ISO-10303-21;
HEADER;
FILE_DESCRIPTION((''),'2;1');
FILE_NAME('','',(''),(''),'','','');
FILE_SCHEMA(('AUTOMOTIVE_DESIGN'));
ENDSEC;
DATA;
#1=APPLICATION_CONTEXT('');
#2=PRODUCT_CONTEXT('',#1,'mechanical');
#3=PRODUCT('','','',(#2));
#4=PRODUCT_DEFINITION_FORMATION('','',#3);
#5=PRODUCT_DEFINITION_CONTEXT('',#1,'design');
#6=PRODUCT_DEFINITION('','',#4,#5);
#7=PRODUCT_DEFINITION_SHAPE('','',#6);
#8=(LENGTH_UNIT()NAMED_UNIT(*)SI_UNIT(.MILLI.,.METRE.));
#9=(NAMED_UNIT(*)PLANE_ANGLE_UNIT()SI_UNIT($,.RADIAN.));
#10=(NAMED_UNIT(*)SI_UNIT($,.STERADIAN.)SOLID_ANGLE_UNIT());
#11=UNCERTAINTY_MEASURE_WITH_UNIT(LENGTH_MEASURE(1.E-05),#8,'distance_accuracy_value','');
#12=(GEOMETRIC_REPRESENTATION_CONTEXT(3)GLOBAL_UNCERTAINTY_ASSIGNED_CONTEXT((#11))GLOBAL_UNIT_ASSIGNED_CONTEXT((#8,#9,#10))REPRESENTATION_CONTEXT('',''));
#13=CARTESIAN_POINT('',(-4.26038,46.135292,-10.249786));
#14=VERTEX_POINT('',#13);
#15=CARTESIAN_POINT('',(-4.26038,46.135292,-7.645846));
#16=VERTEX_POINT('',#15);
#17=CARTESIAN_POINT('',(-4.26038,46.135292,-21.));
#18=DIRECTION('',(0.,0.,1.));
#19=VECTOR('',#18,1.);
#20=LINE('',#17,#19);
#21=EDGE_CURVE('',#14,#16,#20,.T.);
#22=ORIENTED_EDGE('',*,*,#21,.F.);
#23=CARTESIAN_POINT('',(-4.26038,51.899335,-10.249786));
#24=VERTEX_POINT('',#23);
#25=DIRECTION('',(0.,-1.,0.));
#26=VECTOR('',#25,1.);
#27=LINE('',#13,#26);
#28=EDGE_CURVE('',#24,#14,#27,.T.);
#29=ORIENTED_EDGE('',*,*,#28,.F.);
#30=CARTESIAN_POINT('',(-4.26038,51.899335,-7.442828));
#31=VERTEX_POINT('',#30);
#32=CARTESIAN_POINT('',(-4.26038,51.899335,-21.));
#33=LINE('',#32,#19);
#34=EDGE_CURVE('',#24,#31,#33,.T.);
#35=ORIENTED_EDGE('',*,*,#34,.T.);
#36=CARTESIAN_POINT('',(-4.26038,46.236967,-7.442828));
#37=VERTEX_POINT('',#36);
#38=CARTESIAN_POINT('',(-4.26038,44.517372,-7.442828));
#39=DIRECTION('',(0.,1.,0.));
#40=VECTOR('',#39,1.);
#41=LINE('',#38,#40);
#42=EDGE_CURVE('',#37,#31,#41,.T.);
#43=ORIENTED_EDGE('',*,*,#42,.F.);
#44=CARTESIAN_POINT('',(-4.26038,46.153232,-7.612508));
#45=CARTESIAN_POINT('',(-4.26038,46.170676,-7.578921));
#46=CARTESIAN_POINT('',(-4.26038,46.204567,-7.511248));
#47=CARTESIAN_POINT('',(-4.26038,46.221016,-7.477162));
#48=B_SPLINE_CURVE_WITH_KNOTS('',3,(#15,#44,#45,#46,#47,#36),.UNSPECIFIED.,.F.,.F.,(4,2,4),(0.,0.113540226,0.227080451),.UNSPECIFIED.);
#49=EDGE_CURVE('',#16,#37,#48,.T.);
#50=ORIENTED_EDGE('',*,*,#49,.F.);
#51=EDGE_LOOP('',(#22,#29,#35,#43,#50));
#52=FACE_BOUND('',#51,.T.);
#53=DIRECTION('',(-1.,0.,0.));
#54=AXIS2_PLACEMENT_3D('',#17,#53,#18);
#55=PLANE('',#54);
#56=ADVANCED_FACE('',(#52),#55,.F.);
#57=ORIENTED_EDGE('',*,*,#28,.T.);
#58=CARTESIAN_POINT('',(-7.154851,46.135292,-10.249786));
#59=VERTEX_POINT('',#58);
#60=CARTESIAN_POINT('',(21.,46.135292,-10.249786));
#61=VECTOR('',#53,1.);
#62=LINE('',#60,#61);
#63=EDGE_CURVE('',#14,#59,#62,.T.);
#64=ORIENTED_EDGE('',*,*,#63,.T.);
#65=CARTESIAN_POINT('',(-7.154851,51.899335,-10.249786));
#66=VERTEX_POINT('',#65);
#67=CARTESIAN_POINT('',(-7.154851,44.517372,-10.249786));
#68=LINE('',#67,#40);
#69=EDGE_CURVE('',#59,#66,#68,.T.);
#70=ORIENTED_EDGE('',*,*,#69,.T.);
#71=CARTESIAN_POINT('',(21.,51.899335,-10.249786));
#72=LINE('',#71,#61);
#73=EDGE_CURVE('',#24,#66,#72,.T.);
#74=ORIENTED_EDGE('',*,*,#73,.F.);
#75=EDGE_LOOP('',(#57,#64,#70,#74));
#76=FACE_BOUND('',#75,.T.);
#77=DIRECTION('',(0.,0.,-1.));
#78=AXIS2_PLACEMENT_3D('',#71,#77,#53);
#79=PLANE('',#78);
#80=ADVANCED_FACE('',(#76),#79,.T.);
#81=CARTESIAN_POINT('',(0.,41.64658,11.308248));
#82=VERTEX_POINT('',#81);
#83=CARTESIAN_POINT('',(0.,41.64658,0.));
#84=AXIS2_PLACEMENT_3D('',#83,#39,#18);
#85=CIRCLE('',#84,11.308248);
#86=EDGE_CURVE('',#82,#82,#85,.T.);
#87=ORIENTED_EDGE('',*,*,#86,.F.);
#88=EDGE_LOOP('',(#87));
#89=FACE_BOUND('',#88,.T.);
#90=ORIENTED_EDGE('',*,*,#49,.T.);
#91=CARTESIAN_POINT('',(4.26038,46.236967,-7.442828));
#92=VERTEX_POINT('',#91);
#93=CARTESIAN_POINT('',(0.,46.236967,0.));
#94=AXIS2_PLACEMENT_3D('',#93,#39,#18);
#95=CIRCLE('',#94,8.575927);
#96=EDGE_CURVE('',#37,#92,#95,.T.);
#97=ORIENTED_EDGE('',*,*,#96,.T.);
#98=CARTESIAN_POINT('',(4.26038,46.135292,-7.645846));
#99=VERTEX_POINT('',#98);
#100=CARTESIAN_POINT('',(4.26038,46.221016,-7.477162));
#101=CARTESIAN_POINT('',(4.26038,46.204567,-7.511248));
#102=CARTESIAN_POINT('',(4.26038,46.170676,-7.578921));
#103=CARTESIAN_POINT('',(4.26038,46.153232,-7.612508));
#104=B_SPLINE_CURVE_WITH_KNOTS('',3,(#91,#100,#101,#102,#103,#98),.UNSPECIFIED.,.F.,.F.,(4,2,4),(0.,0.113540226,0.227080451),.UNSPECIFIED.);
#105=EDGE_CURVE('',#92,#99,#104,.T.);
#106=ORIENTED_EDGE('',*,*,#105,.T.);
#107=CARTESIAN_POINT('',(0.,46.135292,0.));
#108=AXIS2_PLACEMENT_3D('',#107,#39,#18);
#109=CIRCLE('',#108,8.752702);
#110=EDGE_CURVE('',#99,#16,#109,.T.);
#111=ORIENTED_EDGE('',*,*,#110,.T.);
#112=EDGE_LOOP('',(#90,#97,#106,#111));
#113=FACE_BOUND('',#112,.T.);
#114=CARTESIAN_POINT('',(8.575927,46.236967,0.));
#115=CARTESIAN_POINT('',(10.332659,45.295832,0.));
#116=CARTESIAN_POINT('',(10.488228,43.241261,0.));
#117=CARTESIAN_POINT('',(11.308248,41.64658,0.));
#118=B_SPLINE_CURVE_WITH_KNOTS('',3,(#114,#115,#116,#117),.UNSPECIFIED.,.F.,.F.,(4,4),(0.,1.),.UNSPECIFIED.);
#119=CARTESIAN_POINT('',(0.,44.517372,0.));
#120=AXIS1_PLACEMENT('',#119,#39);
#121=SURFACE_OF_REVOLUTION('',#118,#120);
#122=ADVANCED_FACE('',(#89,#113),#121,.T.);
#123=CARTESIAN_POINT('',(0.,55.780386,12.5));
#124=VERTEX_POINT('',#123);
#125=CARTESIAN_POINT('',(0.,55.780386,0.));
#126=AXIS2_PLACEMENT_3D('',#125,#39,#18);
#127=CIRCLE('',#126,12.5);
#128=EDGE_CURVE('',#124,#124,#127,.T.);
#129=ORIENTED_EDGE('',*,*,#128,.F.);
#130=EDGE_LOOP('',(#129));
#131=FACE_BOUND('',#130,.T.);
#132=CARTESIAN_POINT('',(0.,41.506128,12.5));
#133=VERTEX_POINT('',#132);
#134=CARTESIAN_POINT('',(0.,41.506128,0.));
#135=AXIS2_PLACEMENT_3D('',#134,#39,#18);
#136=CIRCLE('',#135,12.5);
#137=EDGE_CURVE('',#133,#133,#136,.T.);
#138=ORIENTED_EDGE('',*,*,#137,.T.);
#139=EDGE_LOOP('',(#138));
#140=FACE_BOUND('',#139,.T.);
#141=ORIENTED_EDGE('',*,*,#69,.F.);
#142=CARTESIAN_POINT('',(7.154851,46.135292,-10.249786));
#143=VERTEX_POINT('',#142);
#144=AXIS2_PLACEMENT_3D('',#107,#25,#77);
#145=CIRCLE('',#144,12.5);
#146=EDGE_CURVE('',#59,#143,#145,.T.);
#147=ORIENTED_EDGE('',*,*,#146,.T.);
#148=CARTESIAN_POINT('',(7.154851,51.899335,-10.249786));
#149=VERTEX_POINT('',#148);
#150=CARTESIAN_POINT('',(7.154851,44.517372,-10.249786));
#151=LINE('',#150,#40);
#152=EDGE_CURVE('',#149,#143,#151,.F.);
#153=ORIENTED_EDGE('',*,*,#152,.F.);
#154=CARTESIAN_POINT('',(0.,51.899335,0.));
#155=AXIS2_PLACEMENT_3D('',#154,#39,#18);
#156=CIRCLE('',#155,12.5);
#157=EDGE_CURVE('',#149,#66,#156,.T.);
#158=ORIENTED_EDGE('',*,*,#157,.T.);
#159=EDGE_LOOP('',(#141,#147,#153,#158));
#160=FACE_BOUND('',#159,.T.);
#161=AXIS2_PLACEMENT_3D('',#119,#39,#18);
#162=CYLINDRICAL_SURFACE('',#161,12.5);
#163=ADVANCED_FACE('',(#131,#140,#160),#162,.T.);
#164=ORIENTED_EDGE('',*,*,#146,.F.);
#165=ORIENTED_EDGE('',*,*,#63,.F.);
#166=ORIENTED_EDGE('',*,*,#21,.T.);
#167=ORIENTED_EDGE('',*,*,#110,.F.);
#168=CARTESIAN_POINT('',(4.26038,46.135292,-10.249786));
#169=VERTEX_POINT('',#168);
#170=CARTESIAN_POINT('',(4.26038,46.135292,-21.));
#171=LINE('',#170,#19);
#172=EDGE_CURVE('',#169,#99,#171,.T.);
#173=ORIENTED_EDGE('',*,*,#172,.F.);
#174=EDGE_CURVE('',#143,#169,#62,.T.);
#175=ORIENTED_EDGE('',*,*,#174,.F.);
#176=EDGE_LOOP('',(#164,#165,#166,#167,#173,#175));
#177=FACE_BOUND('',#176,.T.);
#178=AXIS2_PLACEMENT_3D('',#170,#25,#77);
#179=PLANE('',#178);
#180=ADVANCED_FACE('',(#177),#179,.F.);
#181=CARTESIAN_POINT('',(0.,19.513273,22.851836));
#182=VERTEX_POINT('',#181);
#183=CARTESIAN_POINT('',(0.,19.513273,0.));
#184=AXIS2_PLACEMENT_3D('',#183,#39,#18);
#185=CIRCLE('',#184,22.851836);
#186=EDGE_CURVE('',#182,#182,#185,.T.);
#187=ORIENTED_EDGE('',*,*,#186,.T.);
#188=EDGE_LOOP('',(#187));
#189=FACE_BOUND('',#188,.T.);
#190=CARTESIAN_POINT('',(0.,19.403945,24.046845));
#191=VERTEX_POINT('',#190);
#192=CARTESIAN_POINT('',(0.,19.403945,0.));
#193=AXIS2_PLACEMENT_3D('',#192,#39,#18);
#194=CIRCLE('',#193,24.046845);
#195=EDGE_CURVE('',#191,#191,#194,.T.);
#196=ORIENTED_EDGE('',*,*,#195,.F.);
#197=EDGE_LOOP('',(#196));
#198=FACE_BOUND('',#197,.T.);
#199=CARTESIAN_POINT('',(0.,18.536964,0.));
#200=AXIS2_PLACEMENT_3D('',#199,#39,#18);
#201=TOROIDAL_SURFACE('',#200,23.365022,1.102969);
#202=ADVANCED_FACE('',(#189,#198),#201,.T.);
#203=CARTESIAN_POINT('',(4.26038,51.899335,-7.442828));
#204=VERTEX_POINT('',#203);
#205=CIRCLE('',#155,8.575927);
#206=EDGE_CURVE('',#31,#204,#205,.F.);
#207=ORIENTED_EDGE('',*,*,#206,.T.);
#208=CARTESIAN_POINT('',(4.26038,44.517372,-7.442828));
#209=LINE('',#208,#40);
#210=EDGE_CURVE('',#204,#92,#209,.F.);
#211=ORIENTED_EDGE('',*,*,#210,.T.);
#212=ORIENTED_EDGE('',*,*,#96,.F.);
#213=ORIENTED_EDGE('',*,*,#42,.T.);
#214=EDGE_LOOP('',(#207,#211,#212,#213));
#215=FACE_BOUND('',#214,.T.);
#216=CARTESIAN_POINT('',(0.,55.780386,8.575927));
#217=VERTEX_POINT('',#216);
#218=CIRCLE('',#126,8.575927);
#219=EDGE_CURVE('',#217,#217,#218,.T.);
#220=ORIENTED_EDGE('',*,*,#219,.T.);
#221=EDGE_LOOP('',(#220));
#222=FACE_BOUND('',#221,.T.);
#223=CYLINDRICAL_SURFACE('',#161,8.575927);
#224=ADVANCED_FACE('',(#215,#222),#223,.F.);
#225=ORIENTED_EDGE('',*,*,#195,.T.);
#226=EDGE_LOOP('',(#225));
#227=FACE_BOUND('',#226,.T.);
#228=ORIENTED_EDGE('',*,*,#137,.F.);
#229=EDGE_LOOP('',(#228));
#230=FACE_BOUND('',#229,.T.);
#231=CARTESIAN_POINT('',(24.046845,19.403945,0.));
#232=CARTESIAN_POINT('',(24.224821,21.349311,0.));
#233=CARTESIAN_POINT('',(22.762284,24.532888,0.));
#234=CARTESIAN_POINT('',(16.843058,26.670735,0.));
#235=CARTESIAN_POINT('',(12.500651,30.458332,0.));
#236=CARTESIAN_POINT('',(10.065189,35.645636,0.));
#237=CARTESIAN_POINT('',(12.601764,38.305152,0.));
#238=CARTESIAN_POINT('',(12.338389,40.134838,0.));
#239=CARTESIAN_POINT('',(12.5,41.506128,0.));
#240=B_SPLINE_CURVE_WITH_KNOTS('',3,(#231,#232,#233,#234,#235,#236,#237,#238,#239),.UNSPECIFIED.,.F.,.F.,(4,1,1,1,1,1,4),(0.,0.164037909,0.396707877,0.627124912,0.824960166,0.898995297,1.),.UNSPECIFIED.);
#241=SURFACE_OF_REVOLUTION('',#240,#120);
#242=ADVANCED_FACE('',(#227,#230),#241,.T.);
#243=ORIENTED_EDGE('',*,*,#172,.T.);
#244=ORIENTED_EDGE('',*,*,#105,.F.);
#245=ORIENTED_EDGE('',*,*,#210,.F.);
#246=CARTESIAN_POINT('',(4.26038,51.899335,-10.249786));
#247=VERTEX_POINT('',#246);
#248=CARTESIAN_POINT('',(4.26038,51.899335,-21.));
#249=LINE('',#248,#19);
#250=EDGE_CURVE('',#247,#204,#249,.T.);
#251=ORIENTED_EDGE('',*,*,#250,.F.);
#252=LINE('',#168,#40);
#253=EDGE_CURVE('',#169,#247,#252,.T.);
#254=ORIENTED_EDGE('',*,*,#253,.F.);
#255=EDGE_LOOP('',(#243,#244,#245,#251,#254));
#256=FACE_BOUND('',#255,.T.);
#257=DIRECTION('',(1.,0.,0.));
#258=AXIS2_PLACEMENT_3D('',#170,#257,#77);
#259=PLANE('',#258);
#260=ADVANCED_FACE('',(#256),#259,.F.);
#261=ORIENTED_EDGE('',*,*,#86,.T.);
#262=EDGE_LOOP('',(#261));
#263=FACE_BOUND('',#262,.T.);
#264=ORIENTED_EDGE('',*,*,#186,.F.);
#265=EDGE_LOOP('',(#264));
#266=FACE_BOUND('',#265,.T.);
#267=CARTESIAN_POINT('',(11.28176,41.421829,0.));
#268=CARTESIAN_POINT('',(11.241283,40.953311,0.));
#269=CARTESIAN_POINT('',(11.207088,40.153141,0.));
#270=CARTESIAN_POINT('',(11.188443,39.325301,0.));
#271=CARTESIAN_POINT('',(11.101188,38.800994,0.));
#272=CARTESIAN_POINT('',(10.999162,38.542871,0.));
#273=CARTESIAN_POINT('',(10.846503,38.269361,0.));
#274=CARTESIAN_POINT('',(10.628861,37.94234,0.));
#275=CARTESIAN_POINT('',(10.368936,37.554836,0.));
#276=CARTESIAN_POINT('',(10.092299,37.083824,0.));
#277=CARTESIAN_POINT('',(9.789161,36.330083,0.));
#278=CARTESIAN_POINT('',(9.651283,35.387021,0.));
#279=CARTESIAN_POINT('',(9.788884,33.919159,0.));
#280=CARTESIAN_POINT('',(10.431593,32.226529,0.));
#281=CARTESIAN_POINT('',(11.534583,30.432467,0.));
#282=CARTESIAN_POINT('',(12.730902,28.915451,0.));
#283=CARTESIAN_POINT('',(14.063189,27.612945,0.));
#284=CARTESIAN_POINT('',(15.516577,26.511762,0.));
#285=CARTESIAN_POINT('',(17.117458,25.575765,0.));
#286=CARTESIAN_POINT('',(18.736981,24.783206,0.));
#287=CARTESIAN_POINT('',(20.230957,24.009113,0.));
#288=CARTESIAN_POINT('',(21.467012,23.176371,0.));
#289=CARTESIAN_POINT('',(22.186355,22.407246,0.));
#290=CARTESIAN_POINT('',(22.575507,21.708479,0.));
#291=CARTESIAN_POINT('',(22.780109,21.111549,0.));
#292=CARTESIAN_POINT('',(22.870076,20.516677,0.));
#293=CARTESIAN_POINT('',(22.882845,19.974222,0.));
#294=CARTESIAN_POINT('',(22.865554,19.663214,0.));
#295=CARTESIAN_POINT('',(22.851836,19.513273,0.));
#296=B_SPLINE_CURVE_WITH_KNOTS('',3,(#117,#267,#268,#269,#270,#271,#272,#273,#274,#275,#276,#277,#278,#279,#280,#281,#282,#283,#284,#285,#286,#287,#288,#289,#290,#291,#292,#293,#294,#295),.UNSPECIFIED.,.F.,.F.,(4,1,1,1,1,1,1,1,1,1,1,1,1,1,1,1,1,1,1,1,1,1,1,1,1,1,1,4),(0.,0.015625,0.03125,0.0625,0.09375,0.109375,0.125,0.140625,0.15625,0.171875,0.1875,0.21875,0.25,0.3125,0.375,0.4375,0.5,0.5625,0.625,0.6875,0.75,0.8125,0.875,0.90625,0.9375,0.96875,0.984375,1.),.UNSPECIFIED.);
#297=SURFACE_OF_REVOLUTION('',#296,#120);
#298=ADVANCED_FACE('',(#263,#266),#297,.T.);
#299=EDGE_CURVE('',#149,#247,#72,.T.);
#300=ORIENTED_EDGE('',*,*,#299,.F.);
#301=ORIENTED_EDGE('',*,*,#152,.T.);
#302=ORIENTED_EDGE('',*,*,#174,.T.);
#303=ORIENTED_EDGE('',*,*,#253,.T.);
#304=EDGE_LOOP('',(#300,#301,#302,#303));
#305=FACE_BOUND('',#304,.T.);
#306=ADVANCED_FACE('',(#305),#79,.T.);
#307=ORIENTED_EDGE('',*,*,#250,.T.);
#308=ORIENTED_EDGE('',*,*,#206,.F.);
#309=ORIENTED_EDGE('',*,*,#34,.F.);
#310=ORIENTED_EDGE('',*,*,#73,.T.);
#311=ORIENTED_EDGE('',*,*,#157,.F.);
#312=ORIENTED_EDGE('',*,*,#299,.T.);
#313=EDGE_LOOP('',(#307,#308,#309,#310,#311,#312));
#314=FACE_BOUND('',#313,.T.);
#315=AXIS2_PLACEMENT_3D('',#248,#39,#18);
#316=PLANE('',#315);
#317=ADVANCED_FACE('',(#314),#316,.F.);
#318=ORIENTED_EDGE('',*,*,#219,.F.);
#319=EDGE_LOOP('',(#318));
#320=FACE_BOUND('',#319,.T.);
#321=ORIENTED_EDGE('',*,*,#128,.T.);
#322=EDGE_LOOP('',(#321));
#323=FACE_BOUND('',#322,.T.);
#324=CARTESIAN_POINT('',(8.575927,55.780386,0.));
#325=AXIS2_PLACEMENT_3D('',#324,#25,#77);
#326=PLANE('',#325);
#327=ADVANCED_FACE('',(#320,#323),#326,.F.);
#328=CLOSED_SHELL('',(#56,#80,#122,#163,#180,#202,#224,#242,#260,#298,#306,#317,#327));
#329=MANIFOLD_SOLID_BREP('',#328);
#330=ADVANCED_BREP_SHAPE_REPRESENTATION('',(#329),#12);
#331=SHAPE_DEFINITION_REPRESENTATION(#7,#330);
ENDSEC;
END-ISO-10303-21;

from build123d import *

# Parameters (mm, degrees)
ESBO_O2_W                  = 8.52075949
ESBO_O2_H                  = 5.764043184
CORTE_EXTRUS_O1_DEPTH      = 21
ESBO_O3_W                  = 2.250213953
ESBO_O3_H                  = 5.764043184
CORTE_EXTRUS_O2_DEPTH      = 21
CORTE_EXTRUS_O2_DEPTH_BACK = 21


with BuildPart() as part:
    # Esboço1 → Revolução1 (revolve)
    with BuildSketch(Plane.XY):
        with BuildLine():
            Line((12.5, 41.646579704), (12.5, 41.506128196))
            add(Edge.make_bspline(
                [(12.5, 41.506128196), (12.338389384, 40.134837747), (12.601764107, 38.305152117), (10.065188923, 35.645635864), (12.500651196, 30.458331587), (16.843058411, 26.670735), (22.76228445, 24.532888043), (24.224821104, 21.349310821), (24.046845434, 19.403944973)],
                knots=[0, 0, 0, 0, 0.101004703, 0.175039834, 0.372875088, 0.603292123, 0.835962091, 1, 1, 1, 1], degree=3))
            ThreePointArc((24.046845434, 19.403944973), (23.264534568, 17.438582109), (22.851836049, 19.513272788))
            add(Edge.make_bspline(
                [(11.308247772, 41.646579704), (11.281760283, 41.421829367), (11.241283492, 40.953310705), (11.207087563, 40.153140867), (11.188443128, 39.325301199), (11.101187915, 38.800994205), (10.999161677, 38.542871248), (10.84650313, 38.269361286), (10.628860527, 37.942340116), (10.368935554, 37.554835556), (10.092298736, 37.083824404), (9.789160953, 36.330082669), (9.651283083, 35.387021367), (9.788883574, 33.919158958), (10.43159292, 32.226529482), (11.534582968, 30.432466838), (12.730902254, 28.915450827), (14.063189235, 27.612944764), (15.516577401, 26.511762273), (17.117458176, 25.575765094), (18.736981448, 24.783206109), (20.230956508, 24.009113027), (21.467011577, 23.176371047), (22.186355151, 22.407246301), (22.575507066, 21.708478748), (22.780108979, 21.111549356), (22.870075885, 20.516676656), (22.88284487, 19.974221941), (22.865553692, 19.663213697), (22.851836049, 19.513272788)],
                knots=[0, 0, 0, 0, 0.015625, 0.03125, 0.0625, 0.09375, 0.109375, 0.125, 0.140625, 0.15625, 0.171875, 0.1875, 0.21875, 0.25, 0.3125, 0.375, 0.4375, 0.5, 0.5625, 0.625, 0.6875, 0.75, 0.8125, 0.875, 0.90625, 0.9375, 0.96875, 0.984375, 1, 1, 1, 1], degree=3))
            add(Edge.make_bspline(
                [(11.308247772, 41.646579704), (10.488228177, 43.241261294), (10.332658745, 45.295831645), (8.575926678, 46.236967031)],
                knots=[0, 0, 0, 0, 1, 1, 1, 1], degree=3))
            Line((8.575926678, 46.236967031), (8.575926678, 55.780385677))
            Line((8.575926678, 55.780385677), (12.5, 55.780385677))
            Line((12.5, 55.780385677), (12.5, 46.236967031))
            Line((12.5, 46.236967031), (12.5, 41.646579704))
        make_face()
    revolve(axis=Axis((0, 44.517371893, 0), (0, -1, 0)))

    # Esboço2 → Corte-extrusão1 (cut)
    with BuildSketch(Plane.XY):
        with Locations((0, 49.017313479)):
            Rectangle(ESBO_O2_W, ESBO_O2_H)
    extrude(amount=-CORTE_EXTRUS_O1_DEPTH, mode=Mode.SUBTRACT)

    # Esboço3 → Corte-extrusão2 (cut, two sides)
    with BuildSketch(Plane(origin=(0, 0, 0), x_dir=(0, 0, -1), z_dir=(1, 0, 0))) as corte_extrus_o2_sk:
        with Locations((11.374893024, 49.017313479)):
            Rectangle(ESBO_O3_W, ESBO_O3_H)
    extrude(amount=CORTE_EXTRUS_O2_DEPTH, mode=Mode.SUBTRACT)
    extrude(corte_extrus_o2_sk.sketch, amount=-CORTE_EXTRUS_O2_DEPTH_BACK, mode=Mode.SUBTRACT)


solid = part.part
